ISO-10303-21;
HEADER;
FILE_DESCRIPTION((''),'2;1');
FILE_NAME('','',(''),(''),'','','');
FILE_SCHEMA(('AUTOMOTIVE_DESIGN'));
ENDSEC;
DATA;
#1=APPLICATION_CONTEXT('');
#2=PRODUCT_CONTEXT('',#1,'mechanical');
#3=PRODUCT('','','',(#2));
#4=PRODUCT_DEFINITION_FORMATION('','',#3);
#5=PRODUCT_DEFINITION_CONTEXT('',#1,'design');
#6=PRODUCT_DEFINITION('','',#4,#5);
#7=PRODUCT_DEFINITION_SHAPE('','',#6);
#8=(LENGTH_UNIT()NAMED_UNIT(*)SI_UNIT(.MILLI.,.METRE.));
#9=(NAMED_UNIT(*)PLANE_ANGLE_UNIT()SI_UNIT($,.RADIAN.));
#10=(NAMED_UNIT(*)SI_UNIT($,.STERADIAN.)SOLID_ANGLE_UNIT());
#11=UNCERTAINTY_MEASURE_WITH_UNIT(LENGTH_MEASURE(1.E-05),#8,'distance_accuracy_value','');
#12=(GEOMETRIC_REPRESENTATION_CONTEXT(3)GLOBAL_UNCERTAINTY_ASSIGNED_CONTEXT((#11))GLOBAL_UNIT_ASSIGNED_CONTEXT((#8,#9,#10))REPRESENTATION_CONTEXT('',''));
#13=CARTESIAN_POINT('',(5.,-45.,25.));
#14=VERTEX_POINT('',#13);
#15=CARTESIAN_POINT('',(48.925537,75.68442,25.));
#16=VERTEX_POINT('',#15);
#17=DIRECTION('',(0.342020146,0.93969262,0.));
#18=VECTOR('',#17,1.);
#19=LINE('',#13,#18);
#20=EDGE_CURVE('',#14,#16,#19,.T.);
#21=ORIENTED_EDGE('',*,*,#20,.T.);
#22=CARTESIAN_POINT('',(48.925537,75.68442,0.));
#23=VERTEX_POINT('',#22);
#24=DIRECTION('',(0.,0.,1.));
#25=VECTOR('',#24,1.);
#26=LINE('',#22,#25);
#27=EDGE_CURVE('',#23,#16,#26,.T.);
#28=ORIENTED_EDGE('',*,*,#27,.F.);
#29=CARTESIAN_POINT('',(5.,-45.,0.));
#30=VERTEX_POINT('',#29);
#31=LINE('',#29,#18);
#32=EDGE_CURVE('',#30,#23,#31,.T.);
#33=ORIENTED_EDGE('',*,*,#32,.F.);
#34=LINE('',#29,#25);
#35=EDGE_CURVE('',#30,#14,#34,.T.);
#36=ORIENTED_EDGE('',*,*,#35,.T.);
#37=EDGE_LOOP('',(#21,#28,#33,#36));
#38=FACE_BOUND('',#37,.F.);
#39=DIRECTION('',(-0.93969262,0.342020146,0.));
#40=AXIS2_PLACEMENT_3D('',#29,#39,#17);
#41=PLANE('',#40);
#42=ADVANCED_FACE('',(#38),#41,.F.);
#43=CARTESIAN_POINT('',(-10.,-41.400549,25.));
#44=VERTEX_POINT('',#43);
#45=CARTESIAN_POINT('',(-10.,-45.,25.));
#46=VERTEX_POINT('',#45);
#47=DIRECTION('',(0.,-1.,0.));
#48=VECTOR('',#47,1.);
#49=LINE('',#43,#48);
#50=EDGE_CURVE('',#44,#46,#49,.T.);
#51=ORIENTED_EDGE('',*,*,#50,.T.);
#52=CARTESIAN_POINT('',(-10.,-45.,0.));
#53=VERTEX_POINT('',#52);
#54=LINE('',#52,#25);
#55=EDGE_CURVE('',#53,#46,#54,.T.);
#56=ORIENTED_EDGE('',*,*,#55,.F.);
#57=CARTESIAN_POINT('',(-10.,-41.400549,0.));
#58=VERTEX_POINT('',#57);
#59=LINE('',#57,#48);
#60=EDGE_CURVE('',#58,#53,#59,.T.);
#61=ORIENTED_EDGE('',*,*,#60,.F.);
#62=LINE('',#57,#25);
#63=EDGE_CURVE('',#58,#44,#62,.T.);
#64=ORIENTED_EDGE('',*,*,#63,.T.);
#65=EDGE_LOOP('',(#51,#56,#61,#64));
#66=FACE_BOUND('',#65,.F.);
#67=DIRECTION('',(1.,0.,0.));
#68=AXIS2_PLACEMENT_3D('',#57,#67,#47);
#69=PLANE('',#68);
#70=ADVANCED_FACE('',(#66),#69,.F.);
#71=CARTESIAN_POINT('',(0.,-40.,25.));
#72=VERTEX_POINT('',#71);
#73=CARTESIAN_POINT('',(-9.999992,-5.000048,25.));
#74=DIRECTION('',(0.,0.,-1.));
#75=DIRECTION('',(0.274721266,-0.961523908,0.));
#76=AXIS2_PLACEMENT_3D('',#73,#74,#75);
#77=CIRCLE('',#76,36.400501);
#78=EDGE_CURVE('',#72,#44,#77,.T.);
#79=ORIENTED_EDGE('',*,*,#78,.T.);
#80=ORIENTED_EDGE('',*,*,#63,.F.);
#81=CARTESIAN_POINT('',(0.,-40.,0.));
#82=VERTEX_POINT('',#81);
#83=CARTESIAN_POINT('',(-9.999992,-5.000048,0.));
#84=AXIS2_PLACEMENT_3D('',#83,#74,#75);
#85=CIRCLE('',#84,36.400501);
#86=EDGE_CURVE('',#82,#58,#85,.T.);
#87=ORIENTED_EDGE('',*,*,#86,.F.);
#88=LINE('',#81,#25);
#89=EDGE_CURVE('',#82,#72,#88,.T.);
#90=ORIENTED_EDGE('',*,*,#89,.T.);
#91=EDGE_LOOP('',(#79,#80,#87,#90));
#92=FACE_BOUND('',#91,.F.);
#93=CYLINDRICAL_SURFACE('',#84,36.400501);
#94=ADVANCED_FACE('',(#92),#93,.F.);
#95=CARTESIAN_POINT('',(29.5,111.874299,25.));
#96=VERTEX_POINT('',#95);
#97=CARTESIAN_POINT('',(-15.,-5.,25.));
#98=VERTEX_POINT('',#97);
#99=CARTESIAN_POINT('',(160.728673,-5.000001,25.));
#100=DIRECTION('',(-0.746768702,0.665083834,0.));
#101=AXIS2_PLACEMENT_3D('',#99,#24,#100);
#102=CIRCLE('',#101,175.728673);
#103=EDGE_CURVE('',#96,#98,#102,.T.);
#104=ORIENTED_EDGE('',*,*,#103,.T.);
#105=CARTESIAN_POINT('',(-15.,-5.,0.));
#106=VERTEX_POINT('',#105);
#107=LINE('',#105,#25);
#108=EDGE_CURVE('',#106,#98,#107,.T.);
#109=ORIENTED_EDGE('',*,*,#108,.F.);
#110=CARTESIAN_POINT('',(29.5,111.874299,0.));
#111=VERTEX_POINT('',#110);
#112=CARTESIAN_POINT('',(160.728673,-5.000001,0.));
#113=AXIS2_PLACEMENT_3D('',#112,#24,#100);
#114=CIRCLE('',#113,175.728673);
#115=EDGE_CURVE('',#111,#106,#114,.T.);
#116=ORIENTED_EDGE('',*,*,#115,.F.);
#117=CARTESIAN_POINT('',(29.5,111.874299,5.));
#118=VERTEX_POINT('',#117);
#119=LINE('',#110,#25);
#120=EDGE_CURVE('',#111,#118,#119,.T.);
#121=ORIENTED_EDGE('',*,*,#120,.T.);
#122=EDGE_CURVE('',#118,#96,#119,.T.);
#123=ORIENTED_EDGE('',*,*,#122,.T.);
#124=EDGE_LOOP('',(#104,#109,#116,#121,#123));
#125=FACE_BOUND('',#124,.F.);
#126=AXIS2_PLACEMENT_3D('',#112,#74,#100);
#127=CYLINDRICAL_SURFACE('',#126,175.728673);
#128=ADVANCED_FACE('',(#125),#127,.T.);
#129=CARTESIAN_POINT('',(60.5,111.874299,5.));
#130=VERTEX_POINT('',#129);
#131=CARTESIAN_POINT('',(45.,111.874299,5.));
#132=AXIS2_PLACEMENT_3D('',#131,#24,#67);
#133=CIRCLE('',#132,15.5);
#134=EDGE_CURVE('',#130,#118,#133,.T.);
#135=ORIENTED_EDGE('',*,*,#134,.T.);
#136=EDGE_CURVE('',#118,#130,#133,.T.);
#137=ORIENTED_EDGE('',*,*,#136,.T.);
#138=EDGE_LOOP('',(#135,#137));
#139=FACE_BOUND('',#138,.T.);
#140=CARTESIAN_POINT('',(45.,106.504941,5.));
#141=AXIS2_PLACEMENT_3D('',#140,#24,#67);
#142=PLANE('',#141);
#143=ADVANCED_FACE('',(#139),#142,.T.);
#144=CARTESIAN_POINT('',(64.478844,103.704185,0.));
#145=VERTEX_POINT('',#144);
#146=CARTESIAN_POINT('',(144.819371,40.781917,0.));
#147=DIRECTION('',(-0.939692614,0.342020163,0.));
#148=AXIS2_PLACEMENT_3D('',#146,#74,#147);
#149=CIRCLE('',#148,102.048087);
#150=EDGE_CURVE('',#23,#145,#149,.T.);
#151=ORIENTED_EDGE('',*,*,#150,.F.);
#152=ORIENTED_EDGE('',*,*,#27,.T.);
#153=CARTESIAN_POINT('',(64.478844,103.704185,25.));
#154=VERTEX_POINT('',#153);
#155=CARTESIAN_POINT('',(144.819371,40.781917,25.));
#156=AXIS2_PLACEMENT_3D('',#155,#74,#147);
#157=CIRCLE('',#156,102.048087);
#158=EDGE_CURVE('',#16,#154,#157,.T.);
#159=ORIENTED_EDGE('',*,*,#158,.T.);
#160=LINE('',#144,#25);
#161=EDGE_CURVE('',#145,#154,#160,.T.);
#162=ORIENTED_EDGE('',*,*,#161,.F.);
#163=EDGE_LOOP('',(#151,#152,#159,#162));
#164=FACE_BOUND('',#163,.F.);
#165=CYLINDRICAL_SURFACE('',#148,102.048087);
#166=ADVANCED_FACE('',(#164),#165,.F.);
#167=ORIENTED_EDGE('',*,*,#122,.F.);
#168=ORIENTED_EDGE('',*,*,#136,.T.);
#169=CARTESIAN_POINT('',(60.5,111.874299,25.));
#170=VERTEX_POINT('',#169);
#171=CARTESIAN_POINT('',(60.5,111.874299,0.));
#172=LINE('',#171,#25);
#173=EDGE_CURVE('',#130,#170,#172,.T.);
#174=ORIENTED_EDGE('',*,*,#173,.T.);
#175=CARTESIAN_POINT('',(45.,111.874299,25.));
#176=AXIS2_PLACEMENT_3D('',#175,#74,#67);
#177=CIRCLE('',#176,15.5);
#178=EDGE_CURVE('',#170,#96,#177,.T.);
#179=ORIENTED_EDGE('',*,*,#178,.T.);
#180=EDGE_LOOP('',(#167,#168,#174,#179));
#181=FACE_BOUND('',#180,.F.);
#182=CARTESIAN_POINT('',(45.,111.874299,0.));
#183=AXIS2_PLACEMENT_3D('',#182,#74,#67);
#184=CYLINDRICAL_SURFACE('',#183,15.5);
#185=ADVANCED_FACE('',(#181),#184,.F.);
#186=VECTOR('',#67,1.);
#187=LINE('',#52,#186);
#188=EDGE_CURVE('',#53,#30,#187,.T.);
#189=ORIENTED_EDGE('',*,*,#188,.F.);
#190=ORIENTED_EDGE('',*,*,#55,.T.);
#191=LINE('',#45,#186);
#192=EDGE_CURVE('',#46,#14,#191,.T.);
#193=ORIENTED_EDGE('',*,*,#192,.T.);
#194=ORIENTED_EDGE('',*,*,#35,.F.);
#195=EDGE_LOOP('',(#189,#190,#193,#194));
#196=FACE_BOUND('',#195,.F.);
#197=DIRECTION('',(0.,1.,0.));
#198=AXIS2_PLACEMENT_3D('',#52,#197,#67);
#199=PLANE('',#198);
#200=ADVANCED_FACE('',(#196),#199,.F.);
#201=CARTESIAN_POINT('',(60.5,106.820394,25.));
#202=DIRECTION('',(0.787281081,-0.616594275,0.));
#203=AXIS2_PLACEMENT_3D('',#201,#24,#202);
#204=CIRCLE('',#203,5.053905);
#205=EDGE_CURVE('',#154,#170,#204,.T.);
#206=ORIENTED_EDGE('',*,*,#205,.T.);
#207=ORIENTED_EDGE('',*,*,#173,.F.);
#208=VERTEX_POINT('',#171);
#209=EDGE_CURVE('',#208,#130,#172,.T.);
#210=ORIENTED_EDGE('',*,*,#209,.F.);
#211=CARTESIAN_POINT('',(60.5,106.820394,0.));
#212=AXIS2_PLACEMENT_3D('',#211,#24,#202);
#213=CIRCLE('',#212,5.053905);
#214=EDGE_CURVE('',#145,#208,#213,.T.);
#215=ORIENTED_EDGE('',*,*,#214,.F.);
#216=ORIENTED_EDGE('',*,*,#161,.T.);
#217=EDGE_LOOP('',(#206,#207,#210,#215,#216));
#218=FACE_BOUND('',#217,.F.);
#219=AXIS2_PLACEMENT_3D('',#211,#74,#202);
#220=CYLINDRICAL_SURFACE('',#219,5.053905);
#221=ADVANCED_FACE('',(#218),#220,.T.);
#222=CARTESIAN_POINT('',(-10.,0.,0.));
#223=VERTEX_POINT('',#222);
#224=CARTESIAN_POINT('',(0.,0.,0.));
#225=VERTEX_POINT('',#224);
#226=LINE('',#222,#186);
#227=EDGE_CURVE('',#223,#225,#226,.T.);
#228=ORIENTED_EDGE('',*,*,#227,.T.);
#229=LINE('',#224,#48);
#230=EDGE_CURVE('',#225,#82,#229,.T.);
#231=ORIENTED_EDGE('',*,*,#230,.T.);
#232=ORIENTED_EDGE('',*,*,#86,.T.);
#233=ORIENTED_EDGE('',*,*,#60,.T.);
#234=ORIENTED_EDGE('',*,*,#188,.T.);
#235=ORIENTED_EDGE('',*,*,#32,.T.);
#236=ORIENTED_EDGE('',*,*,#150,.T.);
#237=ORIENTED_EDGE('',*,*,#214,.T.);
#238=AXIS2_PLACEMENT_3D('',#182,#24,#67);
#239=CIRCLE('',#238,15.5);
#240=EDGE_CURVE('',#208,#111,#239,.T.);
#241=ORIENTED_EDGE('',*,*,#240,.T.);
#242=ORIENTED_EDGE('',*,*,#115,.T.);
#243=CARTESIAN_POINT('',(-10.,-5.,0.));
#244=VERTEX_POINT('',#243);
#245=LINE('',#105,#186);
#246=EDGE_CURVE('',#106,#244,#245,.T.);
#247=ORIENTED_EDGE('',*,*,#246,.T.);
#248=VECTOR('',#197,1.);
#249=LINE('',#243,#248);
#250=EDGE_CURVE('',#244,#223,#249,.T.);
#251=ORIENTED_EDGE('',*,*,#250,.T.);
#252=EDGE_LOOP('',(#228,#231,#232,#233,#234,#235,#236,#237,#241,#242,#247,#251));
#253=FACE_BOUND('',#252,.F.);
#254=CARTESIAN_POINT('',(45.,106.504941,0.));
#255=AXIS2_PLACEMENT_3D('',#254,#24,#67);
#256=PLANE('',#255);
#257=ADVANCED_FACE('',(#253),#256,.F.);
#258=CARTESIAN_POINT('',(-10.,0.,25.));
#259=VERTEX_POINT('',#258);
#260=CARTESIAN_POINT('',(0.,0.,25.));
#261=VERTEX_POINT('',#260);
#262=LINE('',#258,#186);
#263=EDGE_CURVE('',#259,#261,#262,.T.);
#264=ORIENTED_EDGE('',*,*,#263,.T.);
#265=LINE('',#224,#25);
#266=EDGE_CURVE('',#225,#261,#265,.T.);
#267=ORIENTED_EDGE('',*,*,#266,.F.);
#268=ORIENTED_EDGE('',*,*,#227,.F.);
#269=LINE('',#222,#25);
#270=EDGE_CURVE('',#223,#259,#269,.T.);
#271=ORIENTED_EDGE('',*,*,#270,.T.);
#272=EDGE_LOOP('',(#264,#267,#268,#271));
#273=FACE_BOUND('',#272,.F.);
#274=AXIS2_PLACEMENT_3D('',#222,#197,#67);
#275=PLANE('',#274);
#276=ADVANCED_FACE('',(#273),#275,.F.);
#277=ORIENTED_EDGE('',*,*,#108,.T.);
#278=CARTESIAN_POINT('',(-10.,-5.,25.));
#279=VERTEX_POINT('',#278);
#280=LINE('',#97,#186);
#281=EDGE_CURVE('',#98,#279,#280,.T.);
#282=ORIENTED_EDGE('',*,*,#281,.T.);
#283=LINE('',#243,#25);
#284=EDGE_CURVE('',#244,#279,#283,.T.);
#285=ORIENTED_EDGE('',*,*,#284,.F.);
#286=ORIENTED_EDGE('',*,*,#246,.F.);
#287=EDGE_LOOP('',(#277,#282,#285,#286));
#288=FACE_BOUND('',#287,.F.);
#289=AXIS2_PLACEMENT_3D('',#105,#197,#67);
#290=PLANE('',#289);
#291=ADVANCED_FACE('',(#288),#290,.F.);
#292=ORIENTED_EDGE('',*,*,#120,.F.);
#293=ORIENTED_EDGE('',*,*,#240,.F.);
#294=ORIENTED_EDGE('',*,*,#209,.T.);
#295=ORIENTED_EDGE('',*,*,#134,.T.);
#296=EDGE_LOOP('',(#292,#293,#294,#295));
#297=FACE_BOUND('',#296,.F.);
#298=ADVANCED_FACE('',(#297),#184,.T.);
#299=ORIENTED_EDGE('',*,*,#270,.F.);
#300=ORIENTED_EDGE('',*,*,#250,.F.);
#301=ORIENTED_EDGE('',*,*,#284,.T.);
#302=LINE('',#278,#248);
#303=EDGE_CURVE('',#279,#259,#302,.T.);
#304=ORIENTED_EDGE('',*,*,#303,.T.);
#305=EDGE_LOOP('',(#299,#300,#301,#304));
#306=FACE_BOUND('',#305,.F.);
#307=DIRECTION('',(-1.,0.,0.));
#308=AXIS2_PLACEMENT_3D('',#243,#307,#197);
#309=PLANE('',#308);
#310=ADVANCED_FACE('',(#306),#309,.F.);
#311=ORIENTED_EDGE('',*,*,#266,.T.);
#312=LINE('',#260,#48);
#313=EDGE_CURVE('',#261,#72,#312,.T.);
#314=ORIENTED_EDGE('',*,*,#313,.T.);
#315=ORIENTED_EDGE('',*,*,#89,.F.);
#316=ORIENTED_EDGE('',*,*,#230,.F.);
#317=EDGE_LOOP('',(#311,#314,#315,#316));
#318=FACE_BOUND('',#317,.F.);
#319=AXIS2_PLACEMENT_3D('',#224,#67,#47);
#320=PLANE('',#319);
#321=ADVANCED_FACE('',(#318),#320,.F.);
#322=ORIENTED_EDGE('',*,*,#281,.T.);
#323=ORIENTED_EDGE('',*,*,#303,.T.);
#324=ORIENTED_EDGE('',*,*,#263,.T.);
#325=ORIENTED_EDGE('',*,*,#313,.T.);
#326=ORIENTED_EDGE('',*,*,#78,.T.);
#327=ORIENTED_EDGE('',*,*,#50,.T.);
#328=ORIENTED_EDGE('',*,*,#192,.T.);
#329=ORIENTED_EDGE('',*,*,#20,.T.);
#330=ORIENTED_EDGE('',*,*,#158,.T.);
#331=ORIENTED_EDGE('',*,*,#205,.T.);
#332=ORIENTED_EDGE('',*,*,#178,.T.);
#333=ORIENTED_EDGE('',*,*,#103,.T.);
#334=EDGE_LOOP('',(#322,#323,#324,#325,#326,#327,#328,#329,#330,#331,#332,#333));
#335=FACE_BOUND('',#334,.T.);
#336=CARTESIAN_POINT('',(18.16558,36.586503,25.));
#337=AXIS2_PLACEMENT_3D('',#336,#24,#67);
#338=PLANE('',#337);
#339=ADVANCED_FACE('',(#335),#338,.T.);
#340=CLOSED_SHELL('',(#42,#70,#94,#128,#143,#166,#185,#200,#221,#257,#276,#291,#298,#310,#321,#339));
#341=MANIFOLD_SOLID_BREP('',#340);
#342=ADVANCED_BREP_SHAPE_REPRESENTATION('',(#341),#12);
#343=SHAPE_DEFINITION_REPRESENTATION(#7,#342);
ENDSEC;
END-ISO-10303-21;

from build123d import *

# Parameters (mm, degrees)
F1_DEPTH = 25
F2_DEPTH = 5


with BuildPart() as f1:
    # F0 (on Top) → F1 (new body)
    with BuildSketch(Plane.XY):
        with BuildLine():
            Line((-10, 0), (0, 0))
            Line((0, 0), (0, -40))
            ThreePointArc((0, -40), (-4.9512, -41.048712), (-10, -41.400549))
            Line((-10, -41.400549), (-10, -45))
            Line((-10, -45), (5, -45))
            Line((5, -45), (48.925537, 75.68442))
            ThreePointArc((48.925537, 75.68442), (55.595415, 90.308655), (64.478844, 103.704185))
            ThreePointArc((64.478844, 103.704185), (65.043731, 109.03319), (60.5, 111.874299))
            ThreePointArc((60.5, 111.874299), (45, 96.374299), (29.5, 111.874299))
            ThreePointArc((29.5, 111.874299), (-3.498619, 57.529697), (-15, -5))
            Line((-15, -5), (-10, -5))
            Line((-10, -5), (-10, 0))
        make_face()
    extrude(amount=F1_DEPTH)

    # F0 (on Top) → F2 (join)
    with BuildSketch(Plane.XY):
        with BuildLine():
            Line((60.5, 111.874299), (29.5, 111.874299))
            ThreePointArc((29.5, 111.874299), (45, 96.374299), (60.5, 111.874299))
        make_face()
        with BuildLine():
            ThreePointArc((60.5, 111.874299), (45, 127.374299), (29.5, 111.874299))
            Line((29.5, 111.874299), (60.5, 111.874299))
        make_face()
    extrude(amount=F2_DEPTH)


solid = f1.part
